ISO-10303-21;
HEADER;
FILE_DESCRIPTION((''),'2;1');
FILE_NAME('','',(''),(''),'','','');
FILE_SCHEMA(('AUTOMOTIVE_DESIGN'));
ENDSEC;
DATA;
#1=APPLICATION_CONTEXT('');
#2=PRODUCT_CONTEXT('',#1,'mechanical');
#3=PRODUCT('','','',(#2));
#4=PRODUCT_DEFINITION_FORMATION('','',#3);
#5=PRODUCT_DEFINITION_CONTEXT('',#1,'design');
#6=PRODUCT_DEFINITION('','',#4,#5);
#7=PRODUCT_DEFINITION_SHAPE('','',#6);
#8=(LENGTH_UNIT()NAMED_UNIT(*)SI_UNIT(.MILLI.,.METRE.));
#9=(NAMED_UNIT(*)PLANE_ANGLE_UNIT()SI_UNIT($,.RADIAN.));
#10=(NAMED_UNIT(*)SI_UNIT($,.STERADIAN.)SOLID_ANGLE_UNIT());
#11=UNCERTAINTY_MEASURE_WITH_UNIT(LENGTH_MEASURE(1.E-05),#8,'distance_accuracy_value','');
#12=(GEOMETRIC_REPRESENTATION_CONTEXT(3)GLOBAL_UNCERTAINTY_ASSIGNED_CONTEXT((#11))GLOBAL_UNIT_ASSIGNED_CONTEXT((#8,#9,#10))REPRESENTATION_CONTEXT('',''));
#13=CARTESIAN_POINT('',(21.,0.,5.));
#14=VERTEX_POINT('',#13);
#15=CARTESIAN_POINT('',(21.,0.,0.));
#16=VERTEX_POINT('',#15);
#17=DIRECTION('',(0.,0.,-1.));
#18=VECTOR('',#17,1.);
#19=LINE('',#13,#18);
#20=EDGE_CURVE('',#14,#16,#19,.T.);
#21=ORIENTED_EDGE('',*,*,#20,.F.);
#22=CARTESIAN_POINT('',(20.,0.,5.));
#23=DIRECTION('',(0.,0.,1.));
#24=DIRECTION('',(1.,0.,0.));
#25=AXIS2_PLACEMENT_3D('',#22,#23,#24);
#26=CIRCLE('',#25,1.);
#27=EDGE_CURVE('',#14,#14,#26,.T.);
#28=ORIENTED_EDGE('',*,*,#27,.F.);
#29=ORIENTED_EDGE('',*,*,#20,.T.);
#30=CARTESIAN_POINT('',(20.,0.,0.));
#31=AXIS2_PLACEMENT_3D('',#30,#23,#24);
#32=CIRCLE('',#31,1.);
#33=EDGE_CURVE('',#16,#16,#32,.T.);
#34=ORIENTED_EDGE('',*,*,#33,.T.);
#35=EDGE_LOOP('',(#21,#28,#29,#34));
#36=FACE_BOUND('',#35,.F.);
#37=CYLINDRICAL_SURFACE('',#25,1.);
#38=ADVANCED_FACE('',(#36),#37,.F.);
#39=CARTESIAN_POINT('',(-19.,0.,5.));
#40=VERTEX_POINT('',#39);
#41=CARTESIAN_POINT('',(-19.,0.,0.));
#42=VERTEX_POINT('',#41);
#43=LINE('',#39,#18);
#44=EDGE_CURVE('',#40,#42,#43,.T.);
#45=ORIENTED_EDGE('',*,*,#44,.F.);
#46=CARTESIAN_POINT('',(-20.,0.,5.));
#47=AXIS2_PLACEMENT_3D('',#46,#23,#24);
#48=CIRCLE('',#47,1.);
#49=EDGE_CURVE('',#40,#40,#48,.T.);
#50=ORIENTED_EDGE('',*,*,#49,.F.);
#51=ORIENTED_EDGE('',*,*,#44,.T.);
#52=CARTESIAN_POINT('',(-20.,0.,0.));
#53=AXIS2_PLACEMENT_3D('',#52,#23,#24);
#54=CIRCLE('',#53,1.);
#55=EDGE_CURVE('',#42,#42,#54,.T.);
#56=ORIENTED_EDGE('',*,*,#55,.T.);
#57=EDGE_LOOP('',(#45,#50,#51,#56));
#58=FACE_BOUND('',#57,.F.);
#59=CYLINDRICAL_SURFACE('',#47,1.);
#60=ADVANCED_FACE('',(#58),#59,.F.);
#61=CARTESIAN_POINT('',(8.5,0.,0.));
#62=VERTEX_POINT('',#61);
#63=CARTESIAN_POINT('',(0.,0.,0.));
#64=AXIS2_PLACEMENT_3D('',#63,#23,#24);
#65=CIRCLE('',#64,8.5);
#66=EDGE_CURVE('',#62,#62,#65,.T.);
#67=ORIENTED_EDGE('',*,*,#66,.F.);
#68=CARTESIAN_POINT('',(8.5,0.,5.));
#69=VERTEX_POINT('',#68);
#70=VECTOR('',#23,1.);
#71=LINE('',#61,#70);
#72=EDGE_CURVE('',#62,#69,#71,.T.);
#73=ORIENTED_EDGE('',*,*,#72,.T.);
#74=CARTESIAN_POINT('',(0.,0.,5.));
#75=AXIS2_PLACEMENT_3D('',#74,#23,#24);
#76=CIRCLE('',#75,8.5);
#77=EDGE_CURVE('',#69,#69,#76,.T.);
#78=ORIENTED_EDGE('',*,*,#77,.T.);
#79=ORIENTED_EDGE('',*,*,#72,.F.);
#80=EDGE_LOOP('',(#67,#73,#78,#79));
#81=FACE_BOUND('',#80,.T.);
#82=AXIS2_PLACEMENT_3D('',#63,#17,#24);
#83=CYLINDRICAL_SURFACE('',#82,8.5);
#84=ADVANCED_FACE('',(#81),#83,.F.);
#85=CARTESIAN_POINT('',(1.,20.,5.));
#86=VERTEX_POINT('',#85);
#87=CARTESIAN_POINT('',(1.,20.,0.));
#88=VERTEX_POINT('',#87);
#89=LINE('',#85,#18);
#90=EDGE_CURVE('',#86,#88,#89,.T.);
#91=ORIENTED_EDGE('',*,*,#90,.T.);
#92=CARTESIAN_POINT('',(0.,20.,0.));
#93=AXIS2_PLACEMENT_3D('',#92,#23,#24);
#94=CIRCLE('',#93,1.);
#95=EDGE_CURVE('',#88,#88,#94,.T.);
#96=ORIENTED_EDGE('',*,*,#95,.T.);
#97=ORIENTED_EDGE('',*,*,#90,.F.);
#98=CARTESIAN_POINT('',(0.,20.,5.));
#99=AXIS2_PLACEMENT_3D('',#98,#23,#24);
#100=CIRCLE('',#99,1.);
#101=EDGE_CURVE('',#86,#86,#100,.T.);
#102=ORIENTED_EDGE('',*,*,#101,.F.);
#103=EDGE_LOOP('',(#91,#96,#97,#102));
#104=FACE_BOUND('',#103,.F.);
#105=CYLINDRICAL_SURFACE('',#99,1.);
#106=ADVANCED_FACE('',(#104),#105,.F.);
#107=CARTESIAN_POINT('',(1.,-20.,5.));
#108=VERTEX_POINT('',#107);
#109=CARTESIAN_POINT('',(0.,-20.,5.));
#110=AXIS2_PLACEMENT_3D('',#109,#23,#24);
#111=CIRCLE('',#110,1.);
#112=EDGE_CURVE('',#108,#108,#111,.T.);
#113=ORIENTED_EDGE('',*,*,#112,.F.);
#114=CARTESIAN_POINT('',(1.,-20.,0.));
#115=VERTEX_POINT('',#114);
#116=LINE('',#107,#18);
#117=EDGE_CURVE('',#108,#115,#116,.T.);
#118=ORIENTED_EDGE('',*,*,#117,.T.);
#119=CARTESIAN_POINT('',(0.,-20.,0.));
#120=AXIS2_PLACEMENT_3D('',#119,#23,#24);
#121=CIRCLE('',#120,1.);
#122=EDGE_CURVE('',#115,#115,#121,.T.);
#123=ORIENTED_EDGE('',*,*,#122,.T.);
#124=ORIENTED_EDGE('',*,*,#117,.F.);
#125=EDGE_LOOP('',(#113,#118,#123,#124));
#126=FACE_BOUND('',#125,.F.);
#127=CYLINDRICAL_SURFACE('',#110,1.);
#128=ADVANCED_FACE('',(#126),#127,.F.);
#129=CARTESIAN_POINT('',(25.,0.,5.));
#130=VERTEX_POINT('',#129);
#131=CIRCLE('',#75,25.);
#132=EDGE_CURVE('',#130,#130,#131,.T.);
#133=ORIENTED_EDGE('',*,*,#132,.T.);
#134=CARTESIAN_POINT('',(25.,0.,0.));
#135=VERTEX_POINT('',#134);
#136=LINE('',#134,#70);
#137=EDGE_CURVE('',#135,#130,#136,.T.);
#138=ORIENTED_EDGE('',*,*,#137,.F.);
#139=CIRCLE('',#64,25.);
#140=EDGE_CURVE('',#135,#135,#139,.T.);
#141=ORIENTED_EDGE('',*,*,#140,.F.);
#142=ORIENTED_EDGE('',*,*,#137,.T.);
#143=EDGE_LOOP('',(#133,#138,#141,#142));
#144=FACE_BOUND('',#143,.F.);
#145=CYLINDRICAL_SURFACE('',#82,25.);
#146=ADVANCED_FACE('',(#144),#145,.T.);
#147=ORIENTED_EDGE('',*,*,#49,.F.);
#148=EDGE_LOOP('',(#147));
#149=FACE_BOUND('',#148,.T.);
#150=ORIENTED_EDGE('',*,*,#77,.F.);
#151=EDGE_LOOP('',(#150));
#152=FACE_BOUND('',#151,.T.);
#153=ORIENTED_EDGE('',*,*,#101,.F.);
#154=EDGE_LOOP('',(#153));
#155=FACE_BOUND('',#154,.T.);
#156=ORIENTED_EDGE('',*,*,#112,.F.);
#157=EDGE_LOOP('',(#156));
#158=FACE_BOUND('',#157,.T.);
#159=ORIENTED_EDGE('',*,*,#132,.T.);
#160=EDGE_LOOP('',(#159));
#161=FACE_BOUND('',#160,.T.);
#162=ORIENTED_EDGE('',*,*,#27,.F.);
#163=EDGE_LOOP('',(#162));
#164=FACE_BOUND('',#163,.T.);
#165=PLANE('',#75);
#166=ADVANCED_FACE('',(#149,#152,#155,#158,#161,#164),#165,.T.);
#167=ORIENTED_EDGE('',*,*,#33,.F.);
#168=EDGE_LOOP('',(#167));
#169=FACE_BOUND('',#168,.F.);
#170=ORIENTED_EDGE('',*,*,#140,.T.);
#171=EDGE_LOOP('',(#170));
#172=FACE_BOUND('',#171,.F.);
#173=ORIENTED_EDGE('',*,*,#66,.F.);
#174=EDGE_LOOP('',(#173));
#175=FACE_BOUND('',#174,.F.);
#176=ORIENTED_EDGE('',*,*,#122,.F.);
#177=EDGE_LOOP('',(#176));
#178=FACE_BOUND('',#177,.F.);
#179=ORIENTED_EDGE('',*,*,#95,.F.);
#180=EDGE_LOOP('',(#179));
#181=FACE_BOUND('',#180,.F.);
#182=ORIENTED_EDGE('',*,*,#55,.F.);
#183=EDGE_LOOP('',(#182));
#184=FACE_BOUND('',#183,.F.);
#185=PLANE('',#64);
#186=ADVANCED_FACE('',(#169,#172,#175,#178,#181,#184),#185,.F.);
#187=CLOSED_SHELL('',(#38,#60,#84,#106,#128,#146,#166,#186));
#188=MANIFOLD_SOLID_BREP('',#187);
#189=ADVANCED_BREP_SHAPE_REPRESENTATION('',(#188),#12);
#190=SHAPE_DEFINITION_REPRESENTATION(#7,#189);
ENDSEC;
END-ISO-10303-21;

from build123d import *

# Parameters (mm, degrees)
F0_R     = 25
F0_R_2   = 8.5
F1_DEPTH = 5
F2_R     = 1
F3_DEPTH = 5.001


with BuildPart() as f1:
    # F0 (on Top) → F1 (new body)
    with BuildSketch(Plane.XY):
        Circle(F0_R)
        Circle(F0_R_2, mode=Mode.SUBTRACT)
    extrude(amount=F1_DEPTH)

    # F2 (on face) → F3 (cut, through all)
    with BuildSketch(Plane.XY.offset(5)):
        with Locations((0, 20)):
            Circle(F2_R)
        with Locations((-20, 0)):
            Circle(F2_R)
        with Locations((0, -20)):
            Circle(F2_R)
        with Locations((20, 0)):
            Circle(F2_R)
    extrude(amount=-F3_DEPTH, mode=Mode.SUBTRACT)


solid = f1.part
